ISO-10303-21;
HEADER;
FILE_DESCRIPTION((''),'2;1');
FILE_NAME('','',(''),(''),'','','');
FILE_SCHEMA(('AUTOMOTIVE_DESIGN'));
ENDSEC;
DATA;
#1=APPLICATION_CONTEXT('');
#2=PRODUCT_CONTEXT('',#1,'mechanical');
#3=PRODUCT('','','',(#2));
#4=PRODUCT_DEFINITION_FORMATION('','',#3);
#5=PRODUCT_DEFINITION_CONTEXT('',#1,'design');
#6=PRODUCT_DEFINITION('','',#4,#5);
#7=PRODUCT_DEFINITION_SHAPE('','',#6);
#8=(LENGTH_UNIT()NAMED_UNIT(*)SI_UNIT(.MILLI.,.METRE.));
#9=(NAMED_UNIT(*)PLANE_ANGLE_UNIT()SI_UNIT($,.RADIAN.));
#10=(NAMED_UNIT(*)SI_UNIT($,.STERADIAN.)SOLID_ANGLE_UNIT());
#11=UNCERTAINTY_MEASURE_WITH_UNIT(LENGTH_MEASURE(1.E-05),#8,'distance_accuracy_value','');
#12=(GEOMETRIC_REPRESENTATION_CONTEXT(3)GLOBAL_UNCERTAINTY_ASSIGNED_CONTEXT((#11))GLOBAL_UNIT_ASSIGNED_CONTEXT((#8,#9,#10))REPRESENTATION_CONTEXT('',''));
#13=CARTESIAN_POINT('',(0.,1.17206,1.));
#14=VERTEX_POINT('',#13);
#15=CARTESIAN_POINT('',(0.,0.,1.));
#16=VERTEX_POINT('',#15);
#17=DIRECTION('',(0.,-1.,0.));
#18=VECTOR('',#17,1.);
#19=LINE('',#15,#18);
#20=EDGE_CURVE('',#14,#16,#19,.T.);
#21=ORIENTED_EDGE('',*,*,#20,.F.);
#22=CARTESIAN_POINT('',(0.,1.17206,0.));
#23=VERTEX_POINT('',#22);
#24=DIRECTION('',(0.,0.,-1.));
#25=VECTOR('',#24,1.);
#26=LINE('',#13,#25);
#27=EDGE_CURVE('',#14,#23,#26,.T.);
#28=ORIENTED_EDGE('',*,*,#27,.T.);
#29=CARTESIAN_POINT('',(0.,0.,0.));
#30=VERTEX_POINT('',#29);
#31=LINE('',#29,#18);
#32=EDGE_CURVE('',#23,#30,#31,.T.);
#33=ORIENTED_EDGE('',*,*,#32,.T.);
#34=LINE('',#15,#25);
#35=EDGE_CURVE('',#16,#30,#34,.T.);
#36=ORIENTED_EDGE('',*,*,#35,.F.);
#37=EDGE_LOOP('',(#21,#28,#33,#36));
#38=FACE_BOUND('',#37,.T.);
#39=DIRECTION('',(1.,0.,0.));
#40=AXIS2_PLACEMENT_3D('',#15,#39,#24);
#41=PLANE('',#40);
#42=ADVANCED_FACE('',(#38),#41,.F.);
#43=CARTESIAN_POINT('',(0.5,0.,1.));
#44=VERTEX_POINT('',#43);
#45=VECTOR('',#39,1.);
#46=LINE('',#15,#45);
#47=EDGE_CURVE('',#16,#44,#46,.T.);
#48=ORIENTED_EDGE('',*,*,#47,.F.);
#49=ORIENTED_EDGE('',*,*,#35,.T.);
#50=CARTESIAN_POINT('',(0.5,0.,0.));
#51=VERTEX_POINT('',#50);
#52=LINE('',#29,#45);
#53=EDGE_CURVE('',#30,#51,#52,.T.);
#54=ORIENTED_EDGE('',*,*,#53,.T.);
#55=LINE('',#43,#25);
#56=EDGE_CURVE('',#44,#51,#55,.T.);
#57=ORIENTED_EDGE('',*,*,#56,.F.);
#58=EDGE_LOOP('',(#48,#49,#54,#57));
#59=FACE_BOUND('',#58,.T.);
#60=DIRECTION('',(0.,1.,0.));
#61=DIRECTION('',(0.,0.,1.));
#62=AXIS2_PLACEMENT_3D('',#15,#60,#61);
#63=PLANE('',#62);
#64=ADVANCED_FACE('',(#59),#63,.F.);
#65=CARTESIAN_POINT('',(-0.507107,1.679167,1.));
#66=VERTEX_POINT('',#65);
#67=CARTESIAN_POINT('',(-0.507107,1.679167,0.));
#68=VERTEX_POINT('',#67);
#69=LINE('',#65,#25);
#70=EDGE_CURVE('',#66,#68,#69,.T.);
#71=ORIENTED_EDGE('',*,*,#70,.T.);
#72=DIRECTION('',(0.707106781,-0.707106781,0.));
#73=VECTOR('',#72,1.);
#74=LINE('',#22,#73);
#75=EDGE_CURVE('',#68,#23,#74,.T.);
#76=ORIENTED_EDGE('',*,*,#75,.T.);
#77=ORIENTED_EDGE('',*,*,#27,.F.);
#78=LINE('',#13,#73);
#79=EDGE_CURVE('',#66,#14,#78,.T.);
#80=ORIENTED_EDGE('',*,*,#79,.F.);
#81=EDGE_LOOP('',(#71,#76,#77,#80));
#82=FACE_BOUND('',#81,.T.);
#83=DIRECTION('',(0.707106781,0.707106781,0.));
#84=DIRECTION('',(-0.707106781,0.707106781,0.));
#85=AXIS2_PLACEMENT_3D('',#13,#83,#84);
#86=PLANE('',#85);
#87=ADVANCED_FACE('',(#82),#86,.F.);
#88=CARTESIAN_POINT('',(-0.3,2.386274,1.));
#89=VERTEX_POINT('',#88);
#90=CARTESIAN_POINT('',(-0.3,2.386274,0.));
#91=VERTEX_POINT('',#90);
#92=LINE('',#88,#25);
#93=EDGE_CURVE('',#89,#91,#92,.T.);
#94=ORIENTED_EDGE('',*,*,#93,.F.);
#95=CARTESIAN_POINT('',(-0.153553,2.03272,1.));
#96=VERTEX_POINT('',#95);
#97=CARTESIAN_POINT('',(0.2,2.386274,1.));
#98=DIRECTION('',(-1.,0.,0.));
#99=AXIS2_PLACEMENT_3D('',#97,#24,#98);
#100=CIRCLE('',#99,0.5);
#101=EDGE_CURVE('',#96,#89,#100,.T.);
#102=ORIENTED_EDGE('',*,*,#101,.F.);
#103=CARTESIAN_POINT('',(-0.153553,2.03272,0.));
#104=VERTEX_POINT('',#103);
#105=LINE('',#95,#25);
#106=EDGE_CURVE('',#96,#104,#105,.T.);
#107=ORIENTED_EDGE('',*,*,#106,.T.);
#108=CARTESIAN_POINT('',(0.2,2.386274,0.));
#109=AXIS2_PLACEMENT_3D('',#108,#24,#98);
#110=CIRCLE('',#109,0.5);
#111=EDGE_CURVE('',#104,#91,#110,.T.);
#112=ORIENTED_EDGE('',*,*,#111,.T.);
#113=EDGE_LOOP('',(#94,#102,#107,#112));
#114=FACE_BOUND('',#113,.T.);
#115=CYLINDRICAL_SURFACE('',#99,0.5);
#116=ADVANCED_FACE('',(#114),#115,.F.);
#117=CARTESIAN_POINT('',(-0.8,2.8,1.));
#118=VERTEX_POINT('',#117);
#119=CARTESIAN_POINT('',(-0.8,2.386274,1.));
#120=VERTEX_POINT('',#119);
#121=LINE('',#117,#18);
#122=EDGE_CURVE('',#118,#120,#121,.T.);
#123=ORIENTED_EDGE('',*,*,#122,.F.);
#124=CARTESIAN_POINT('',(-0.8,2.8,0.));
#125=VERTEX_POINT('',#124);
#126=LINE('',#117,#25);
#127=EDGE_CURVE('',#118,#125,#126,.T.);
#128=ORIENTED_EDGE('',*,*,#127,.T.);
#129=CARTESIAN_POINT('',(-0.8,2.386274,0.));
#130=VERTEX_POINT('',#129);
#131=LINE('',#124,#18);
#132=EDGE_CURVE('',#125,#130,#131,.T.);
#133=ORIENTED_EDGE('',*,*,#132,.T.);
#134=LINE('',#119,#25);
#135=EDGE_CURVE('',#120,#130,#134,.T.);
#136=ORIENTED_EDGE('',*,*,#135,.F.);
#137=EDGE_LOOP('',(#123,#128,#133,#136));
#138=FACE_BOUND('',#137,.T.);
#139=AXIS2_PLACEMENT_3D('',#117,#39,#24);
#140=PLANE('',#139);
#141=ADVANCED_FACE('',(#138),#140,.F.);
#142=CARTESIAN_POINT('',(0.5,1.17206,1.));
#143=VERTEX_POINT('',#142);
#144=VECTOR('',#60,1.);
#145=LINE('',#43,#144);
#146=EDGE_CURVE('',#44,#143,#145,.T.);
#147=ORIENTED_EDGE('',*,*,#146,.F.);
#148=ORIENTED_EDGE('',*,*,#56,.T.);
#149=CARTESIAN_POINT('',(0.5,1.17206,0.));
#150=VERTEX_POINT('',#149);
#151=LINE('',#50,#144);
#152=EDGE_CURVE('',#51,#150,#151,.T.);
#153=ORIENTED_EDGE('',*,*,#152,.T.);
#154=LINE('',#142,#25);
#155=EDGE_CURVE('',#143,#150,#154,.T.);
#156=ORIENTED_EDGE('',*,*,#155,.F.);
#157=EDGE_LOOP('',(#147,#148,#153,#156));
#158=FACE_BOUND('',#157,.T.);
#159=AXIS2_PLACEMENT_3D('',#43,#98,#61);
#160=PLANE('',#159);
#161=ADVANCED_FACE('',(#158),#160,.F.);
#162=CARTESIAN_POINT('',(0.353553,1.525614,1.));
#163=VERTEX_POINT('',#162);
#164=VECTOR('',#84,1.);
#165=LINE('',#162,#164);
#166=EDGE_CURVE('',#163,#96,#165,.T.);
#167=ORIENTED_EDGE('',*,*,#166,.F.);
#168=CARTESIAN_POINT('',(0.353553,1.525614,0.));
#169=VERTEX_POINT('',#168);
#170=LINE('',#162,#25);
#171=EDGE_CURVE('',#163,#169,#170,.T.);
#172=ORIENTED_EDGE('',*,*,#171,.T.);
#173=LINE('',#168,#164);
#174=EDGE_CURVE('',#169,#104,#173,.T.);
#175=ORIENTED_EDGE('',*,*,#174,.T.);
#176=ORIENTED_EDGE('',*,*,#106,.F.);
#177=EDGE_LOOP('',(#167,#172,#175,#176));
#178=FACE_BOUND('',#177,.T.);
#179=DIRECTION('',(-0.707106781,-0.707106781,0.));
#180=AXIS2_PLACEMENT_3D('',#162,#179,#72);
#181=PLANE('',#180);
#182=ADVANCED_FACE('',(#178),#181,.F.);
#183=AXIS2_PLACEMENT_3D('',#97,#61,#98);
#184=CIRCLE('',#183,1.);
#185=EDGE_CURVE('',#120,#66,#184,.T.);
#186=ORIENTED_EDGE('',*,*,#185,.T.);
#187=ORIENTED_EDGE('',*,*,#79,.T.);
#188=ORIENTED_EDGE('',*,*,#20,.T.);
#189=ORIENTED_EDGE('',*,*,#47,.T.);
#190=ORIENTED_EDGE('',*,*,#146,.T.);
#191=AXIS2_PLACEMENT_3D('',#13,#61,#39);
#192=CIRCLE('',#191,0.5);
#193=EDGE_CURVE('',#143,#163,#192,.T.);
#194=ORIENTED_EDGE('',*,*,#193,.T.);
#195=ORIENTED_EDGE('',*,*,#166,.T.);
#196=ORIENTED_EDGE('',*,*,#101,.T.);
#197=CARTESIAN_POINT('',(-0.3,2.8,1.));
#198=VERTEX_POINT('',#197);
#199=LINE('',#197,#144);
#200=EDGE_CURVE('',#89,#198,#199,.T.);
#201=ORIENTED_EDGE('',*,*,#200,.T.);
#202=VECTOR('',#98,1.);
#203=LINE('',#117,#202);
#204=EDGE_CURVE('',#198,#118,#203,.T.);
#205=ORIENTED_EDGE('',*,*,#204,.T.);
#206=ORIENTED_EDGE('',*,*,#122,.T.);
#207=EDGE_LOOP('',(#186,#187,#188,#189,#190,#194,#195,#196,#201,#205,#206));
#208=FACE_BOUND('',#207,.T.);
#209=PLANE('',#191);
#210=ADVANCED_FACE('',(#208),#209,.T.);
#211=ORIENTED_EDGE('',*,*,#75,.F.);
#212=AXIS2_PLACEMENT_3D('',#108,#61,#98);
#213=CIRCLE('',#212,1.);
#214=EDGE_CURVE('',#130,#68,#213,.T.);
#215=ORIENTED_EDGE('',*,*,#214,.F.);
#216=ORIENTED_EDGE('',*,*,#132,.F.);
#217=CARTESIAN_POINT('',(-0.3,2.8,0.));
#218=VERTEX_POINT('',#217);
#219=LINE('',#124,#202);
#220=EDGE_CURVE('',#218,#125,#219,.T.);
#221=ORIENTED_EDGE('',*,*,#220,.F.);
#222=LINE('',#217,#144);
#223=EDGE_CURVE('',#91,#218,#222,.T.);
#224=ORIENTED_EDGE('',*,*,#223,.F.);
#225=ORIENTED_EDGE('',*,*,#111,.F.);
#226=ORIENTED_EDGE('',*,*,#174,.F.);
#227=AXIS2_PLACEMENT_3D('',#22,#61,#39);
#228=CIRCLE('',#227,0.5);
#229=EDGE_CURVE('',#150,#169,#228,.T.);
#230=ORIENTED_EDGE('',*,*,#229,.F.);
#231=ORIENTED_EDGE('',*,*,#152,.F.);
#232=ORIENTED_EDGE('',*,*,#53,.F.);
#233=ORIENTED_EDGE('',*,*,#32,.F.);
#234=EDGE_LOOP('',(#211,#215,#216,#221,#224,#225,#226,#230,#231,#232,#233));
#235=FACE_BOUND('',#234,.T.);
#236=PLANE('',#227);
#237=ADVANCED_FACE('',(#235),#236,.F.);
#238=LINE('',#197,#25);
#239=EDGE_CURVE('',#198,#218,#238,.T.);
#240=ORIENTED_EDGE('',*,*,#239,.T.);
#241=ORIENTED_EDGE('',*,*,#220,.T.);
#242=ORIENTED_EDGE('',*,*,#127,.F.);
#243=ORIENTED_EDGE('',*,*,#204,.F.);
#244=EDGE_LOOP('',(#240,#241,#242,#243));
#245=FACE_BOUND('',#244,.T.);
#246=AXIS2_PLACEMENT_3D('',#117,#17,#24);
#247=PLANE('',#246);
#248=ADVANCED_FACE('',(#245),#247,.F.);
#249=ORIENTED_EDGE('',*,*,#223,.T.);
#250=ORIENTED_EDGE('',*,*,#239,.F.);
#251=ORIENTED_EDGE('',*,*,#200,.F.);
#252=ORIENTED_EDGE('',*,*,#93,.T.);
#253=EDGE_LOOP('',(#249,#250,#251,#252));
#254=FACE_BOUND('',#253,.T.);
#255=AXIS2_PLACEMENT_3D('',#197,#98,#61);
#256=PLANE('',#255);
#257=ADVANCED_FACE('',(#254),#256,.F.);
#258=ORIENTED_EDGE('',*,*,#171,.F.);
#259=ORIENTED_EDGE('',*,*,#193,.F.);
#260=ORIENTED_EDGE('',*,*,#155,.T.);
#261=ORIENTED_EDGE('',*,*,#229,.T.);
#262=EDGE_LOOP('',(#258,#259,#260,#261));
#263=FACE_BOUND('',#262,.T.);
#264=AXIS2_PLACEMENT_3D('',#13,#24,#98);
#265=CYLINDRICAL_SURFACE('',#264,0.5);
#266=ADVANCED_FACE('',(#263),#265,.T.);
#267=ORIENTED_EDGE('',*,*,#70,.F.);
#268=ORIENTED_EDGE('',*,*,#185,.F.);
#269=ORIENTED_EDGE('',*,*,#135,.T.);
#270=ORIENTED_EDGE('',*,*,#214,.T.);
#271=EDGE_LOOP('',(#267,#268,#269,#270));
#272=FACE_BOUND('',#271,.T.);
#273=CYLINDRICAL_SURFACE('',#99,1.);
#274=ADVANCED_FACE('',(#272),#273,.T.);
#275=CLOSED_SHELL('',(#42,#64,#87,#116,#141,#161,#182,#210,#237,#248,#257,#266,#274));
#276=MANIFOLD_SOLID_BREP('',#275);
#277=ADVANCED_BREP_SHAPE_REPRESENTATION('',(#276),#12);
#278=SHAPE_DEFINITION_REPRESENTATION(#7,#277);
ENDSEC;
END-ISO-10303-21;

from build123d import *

# Parameters (mm, degrees)
BOSS_EXTRU_1_DEPTH = 1


with BuildPart() as part:
    # Esquisse1 → Boss.-Extru.1 (new body)
    with BuildSketch(Plane.XY):
        with BuildLine():
            Line((0, 0), (0, 1.172060256))
            Line((0, 1.172060256), (-0.507106781, 1.679167038))
            ThreePointArc((-0.507106781, 1.679167038), (-0.723879533, 2.003590386), (-0.8, 2.386273819))
            Line((-0.8, 2.386273819), (-0.8, 2.8))
            Line((-0.8, 2.8), (-0.3, 2.8))
            Line((-0.3, 2.8), (-0.3, 2.386273819))
            ThreePointArc((-0.3, 2.386273819), (-0.261939766, 2.194932103), (-0.153553391, 2.032720428))
            Line((-0.153553391, 2.032720428), (0.353553391, 1.525613647))
            ThreePointArc((0.353553391, 1.525613647), (0.461939766, 1.363401973), (0.5, 1.172060256))
            Line((0.5, 1.172060256), (0.5, 0))
            Line((0.5, 0), (0, 0))
        make_face()
    extrude(amount=BOSS_EXTRU_1_DEPTH)


solid = part.part
